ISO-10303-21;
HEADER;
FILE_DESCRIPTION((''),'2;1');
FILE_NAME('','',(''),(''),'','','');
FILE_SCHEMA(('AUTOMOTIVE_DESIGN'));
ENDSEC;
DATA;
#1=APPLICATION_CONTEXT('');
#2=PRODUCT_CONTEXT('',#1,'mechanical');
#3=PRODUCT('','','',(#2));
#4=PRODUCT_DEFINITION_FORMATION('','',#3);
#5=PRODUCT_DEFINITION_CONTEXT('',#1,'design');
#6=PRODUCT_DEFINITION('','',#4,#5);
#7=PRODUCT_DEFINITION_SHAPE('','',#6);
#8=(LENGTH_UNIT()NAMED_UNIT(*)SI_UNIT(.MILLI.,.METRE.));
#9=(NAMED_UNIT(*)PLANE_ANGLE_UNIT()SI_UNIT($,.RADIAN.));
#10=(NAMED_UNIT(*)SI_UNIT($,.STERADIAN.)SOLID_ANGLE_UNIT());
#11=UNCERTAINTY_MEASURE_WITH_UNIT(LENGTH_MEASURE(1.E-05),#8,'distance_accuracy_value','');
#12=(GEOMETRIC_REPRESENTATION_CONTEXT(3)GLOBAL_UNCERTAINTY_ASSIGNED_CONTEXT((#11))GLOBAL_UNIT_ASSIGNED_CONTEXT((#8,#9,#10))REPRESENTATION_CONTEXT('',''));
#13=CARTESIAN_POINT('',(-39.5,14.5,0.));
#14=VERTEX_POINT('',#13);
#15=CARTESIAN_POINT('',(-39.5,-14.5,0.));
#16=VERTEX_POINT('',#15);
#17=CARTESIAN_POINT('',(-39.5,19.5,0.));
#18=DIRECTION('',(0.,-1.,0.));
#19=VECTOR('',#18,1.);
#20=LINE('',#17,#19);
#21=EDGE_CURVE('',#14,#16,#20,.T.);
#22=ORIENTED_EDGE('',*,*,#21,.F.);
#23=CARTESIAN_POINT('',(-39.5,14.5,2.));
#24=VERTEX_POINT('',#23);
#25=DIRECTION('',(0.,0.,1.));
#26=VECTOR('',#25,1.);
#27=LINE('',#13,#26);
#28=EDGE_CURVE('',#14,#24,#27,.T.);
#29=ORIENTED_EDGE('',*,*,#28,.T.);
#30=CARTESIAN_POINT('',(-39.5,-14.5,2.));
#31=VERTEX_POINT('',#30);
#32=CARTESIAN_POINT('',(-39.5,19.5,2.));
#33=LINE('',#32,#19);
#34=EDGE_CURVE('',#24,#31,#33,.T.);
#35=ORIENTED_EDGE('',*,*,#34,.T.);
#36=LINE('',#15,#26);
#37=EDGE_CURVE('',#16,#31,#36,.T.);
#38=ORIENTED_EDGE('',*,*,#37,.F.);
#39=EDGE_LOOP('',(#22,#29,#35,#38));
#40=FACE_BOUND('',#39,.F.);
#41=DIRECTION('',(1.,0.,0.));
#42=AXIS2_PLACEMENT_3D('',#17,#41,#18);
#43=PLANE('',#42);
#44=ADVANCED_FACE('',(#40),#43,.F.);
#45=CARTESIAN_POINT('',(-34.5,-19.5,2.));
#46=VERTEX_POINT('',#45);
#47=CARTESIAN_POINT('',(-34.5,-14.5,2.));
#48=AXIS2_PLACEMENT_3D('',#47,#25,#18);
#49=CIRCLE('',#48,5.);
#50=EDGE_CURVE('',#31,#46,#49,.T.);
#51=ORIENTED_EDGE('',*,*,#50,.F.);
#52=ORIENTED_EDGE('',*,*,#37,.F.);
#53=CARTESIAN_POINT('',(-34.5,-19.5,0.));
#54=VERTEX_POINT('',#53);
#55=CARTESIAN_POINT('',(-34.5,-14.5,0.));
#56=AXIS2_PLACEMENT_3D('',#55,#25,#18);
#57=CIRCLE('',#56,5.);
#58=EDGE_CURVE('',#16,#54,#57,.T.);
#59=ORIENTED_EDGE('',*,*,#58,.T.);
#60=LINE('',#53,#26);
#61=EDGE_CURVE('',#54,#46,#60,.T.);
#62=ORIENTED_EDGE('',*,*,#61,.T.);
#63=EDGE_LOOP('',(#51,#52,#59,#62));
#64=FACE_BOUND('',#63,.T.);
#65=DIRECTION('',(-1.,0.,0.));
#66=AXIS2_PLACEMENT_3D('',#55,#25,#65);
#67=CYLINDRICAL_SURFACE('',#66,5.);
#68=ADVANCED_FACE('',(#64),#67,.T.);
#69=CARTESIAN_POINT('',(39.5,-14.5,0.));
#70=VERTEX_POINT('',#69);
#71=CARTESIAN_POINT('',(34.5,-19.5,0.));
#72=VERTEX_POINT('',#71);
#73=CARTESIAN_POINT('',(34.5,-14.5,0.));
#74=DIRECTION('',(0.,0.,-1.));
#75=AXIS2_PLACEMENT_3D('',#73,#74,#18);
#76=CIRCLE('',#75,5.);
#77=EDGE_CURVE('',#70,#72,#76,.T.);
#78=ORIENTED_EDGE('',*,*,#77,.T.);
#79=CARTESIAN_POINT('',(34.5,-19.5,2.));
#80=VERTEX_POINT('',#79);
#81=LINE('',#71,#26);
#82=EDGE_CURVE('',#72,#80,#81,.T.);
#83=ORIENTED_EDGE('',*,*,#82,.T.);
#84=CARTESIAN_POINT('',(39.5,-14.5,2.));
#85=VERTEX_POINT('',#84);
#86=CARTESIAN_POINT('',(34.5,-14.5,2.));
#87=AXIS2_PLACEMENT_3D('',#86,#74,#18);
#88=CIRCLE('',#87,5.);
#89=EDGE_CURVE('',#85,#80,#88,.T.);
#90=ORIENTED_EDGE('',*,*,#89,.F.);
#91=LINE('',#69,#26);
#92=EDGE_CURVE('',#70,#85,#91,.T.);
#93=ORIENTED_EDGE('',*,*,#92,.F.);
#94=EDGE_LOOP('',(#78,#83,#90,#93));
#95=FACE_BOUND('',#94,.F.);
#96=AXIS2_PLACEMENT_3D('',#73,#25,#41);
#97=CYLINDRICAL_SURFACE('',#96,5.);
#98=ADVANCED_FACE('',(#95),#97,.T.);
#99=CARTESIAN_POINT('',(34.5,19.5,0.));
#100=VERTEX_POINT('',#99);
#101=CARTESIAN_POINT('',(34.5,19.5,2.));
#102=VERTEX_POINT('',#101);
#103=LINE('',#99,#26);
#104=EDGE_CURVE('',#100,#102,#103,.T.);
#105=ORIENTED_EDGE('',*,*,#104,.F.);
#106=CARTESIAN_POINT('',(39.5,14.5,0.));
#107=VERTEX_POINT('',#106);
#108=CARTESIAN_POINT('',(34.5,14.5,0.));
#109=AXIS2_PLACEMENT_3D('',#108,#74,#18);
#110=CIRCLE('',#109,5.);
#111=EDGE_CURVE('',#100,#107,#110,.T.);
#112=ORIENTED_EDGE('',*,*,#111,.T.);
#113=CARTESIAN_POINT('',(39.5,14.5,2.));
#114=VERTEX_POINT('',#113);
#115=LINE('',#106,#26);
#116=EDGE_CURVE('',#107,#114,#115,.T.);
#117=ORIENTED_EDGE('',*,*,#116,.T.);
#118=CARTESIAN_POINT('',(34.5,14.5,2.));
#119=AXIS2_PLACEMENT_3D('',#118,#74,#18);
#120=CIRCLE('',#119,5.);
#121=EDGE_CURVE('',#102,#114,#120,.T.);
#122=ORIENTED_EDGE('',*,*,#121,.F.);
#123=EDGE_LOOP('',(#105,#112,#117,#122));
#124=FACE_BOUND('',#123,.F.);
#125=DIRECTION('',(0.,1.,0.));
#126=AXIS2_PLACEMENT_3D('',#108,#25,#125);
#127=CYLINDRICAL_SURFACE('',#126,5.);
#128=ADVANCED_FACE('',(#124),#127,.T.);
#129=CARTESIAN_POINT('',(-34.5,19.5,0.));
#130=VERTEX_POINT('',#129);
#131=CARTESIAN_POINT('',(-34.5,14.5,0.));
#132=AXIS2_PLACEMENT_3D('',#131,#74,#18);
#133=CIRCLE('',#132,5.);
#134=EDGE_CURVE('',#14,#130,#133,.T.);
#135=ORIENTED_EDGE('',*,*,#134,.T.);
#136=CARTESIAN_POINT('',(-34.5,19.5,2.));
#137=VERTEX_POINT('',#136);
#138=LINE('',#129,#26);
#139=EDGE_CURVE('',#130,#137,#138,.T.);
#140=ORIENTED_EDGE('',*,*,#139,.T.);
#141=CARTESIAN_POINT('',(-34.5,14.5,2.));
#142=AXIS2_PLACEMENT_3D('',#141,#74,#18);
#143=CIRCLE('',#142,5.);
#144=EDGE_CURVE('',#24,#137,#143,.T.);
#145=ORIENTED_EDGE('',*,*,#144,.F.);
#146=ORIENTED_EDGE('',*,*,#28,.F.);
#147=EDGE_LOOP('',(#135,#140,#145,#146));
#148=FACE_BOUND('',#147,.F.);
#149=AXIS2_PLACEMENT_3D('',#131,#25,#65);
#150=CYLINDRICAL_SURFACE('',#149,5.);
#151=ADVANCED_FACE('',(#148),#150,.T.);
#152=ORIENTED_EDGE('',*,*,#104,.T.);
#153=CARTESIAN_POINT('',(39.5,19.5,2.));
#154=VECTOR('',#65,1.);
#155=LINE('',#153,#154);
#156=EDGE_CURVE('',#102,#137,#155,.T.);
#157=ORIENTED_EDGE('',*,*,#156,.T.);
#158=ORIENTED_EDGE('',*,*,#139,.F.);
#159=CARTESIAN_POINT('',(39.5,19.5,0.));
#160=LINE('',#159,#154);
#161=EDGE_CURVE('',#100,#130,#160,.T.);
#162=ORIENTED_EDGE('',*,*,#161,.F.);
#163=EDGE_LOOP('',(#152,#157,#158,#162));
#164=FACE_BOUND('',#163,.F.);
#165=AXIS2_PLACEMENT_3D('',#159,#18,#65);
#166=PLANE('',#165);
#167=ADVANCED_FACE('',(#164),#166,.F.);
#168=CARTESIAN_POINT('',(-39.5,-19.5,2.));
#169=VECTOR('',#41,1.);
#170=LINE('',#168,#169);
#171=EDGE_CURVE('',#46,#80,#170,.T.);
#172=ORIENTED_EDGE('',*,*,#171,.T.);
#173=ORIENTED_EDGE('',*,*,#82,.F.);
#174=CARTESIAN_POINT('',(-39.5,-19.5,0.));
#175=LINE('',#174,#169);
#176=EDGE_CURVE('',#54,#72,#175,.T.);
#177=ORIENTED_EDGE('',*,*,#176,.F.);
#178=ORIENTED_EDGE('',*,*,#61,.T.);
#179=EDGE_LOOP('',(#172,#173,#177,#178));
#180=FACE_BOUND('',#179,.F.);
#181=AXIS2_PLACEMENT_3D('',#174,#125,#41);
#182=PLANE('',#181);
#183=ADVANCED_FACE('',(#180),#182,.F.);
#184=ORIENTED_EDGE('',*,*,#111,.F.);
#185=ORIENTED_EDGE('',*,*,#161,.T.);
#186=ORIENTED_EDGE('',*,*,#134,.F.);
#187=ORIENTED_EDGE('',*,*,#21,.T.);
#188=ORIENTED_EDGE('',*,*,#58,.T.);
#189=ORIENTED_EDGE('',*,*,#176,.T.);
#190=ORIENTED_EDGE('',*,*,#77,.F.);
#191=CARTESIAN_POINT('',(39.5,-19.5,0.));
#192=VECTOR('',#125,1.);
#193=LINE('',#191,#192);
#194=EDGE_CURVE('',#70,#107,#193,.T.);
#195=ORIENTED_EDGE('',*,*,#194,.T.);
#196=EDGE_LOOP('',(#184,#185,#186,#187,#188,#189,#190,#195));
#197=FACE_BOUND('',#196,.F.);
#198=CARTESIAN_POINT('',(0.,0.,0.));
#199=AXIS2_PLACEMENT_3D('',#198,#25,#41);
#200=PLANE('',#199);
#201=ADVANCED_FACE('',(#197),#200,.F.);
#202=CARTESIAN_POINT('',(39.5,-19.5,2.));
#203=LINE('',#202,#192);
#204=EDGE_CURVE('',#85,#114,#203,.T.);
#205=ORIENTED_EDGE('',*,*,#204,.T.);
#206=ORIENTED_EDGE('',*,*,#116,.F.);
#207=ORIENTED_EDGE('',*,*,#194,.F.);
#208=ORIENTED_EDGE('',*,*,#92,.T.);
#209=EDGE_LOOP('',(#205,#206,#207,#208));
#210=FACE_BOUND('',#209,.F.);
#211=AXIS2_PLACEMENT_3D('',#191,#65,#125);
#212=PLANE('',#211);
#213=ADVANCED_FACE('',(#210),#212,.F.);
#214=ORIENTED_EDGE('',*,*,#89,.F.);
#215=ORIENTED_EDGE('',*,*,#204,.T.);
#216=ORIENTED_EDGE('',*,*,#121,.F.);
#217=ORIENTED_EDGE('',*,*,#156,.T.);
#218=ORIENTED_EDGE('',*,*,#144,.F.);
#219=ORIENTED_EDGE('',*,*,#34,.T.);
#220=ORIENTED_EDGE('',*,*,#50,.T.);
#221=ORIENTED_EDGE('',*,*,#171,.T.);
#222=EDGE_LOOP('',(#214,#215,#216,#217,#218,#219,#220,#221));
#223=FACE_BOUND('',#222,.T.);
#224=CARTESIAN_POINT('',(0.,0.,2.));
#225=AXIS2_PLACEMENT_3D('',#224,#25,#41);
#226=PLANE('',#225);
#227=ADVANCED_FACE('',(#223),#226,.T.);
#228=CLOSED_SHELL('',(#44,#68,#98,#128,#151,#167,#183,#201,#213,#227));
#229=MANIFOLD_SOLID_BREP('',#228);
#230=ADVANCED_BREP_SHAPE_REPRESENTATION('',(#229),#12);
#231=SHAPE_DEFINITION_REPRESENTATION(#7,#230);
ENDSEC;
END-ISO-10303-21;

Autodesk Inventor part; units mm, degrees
ref_plane "YZ Plane" through (0, 0, 0) normal (1, 0, 0) x (0, 1, 0)
ref_plane "XZ Plane" through (0, 0, 0) normal (0, 1, 0) x (-1, 0, 0)
ref_plane "XY Plane" through (0, 0, 0) normal (0, 0, 1) x (1, 0, 0)
sketch "Sketch1" plane through (0, 0, 0) normal (0, 0, 1) x (1, 0, 0)
  line L0 (-39.5, -19.5) -> (39.5, -19.5)
  line L1 (39.5, -19.5) -> (39.5, 19.5)
  line L2 (39.5, 19.5) -> (-39.5, 19.5)
  line L3 (-39.5, 19.5) -> (-39.5, -19.5)
  line L4 (-39.5, -19.5) -> (39.5, 19.5) construction
  line L5 (39.5, -19.5) -> (-39.5, 19.5) construction
  point P0 (0, 0)
  dimension "d0" = 79
  dimension "d1" = 39
extrude "Extrusion1" add sketch "Sketch1" along normal blind 2
fillet "Fillet1" radius 5 4 edges at (39.5, 19.5, 1) (-39.5, 19.5, 1) (39.5, -19.5, 1) (-39.5, -19.5, 1)
sketch "Sketch2" plane through (0, 0, 2) normal (0, 0, 1) x (1, 0, 0)
  line L0 (-24.6971, 9.2157) -> (24.6971, 9.2157) construction
  line L1 (24.6971, 9.2157) -> (24.6971, -9.2157) construction
  line L2 (24.6971, -9.2157) -> (-24.6971, -9.2157) construction
  line L3 (-24.6971, -9.2157) -> (-24.6971, 9.2157) construction
  line L4 (34.5, 19.5) -> (-34.5, 19.5) projected
  line L5 (-34.5, -19.5) -> (34.5, -19.5) projected
  line L6 (-39.5, 14.5) -> (-39.5, -14.5) projected
  line L7 (39.5, -14.5) -> (39.5, 14.5) projected
  arc A0 (-39.5, -14.5) -> (-34.5, -19.5) centre (-34.5, -14.5) ccw projected
  line L8 (-34.5, -19.5) -> (34.5, -19.5) projected
  arc A1 (34.5, -19.5) -> (39.5, -14.5) centre (34.5, -14.5) ccw projected
  line L9 (39.5, -14.5) -> (39.5, 14.5) projected
  arc A2 (39.5, 14.5) -> (34.5, 19.5) centre (34.5, 14.5) ccw projected
  line L10 (34.5, 19.5) -> (-34.5, 19.5) projected
  arc A3 (-34.5, 19.5) -> (-39.5, 14.5) centre (-34.5, 14.5) ccw projected
  line L11 (-39.5, 14.5) -> (-39.5, -14.5) projected
  point P0 (0, 0)
  dimension "d5" = 10.2843
  dimension "d6" = 18.4313
  dimension "d7" = 39
  dimension "d8" = 14.8029
  dimension "d9" = 79
  dimension "d10" = 49.3942
equation "\"d5\" = -0.5 * d6 + 0.5 * d7"
equation "\"d8\" = -0.5 * d10 + 0.5 * d9"
properties part number "MarkingMSU_ONE"
